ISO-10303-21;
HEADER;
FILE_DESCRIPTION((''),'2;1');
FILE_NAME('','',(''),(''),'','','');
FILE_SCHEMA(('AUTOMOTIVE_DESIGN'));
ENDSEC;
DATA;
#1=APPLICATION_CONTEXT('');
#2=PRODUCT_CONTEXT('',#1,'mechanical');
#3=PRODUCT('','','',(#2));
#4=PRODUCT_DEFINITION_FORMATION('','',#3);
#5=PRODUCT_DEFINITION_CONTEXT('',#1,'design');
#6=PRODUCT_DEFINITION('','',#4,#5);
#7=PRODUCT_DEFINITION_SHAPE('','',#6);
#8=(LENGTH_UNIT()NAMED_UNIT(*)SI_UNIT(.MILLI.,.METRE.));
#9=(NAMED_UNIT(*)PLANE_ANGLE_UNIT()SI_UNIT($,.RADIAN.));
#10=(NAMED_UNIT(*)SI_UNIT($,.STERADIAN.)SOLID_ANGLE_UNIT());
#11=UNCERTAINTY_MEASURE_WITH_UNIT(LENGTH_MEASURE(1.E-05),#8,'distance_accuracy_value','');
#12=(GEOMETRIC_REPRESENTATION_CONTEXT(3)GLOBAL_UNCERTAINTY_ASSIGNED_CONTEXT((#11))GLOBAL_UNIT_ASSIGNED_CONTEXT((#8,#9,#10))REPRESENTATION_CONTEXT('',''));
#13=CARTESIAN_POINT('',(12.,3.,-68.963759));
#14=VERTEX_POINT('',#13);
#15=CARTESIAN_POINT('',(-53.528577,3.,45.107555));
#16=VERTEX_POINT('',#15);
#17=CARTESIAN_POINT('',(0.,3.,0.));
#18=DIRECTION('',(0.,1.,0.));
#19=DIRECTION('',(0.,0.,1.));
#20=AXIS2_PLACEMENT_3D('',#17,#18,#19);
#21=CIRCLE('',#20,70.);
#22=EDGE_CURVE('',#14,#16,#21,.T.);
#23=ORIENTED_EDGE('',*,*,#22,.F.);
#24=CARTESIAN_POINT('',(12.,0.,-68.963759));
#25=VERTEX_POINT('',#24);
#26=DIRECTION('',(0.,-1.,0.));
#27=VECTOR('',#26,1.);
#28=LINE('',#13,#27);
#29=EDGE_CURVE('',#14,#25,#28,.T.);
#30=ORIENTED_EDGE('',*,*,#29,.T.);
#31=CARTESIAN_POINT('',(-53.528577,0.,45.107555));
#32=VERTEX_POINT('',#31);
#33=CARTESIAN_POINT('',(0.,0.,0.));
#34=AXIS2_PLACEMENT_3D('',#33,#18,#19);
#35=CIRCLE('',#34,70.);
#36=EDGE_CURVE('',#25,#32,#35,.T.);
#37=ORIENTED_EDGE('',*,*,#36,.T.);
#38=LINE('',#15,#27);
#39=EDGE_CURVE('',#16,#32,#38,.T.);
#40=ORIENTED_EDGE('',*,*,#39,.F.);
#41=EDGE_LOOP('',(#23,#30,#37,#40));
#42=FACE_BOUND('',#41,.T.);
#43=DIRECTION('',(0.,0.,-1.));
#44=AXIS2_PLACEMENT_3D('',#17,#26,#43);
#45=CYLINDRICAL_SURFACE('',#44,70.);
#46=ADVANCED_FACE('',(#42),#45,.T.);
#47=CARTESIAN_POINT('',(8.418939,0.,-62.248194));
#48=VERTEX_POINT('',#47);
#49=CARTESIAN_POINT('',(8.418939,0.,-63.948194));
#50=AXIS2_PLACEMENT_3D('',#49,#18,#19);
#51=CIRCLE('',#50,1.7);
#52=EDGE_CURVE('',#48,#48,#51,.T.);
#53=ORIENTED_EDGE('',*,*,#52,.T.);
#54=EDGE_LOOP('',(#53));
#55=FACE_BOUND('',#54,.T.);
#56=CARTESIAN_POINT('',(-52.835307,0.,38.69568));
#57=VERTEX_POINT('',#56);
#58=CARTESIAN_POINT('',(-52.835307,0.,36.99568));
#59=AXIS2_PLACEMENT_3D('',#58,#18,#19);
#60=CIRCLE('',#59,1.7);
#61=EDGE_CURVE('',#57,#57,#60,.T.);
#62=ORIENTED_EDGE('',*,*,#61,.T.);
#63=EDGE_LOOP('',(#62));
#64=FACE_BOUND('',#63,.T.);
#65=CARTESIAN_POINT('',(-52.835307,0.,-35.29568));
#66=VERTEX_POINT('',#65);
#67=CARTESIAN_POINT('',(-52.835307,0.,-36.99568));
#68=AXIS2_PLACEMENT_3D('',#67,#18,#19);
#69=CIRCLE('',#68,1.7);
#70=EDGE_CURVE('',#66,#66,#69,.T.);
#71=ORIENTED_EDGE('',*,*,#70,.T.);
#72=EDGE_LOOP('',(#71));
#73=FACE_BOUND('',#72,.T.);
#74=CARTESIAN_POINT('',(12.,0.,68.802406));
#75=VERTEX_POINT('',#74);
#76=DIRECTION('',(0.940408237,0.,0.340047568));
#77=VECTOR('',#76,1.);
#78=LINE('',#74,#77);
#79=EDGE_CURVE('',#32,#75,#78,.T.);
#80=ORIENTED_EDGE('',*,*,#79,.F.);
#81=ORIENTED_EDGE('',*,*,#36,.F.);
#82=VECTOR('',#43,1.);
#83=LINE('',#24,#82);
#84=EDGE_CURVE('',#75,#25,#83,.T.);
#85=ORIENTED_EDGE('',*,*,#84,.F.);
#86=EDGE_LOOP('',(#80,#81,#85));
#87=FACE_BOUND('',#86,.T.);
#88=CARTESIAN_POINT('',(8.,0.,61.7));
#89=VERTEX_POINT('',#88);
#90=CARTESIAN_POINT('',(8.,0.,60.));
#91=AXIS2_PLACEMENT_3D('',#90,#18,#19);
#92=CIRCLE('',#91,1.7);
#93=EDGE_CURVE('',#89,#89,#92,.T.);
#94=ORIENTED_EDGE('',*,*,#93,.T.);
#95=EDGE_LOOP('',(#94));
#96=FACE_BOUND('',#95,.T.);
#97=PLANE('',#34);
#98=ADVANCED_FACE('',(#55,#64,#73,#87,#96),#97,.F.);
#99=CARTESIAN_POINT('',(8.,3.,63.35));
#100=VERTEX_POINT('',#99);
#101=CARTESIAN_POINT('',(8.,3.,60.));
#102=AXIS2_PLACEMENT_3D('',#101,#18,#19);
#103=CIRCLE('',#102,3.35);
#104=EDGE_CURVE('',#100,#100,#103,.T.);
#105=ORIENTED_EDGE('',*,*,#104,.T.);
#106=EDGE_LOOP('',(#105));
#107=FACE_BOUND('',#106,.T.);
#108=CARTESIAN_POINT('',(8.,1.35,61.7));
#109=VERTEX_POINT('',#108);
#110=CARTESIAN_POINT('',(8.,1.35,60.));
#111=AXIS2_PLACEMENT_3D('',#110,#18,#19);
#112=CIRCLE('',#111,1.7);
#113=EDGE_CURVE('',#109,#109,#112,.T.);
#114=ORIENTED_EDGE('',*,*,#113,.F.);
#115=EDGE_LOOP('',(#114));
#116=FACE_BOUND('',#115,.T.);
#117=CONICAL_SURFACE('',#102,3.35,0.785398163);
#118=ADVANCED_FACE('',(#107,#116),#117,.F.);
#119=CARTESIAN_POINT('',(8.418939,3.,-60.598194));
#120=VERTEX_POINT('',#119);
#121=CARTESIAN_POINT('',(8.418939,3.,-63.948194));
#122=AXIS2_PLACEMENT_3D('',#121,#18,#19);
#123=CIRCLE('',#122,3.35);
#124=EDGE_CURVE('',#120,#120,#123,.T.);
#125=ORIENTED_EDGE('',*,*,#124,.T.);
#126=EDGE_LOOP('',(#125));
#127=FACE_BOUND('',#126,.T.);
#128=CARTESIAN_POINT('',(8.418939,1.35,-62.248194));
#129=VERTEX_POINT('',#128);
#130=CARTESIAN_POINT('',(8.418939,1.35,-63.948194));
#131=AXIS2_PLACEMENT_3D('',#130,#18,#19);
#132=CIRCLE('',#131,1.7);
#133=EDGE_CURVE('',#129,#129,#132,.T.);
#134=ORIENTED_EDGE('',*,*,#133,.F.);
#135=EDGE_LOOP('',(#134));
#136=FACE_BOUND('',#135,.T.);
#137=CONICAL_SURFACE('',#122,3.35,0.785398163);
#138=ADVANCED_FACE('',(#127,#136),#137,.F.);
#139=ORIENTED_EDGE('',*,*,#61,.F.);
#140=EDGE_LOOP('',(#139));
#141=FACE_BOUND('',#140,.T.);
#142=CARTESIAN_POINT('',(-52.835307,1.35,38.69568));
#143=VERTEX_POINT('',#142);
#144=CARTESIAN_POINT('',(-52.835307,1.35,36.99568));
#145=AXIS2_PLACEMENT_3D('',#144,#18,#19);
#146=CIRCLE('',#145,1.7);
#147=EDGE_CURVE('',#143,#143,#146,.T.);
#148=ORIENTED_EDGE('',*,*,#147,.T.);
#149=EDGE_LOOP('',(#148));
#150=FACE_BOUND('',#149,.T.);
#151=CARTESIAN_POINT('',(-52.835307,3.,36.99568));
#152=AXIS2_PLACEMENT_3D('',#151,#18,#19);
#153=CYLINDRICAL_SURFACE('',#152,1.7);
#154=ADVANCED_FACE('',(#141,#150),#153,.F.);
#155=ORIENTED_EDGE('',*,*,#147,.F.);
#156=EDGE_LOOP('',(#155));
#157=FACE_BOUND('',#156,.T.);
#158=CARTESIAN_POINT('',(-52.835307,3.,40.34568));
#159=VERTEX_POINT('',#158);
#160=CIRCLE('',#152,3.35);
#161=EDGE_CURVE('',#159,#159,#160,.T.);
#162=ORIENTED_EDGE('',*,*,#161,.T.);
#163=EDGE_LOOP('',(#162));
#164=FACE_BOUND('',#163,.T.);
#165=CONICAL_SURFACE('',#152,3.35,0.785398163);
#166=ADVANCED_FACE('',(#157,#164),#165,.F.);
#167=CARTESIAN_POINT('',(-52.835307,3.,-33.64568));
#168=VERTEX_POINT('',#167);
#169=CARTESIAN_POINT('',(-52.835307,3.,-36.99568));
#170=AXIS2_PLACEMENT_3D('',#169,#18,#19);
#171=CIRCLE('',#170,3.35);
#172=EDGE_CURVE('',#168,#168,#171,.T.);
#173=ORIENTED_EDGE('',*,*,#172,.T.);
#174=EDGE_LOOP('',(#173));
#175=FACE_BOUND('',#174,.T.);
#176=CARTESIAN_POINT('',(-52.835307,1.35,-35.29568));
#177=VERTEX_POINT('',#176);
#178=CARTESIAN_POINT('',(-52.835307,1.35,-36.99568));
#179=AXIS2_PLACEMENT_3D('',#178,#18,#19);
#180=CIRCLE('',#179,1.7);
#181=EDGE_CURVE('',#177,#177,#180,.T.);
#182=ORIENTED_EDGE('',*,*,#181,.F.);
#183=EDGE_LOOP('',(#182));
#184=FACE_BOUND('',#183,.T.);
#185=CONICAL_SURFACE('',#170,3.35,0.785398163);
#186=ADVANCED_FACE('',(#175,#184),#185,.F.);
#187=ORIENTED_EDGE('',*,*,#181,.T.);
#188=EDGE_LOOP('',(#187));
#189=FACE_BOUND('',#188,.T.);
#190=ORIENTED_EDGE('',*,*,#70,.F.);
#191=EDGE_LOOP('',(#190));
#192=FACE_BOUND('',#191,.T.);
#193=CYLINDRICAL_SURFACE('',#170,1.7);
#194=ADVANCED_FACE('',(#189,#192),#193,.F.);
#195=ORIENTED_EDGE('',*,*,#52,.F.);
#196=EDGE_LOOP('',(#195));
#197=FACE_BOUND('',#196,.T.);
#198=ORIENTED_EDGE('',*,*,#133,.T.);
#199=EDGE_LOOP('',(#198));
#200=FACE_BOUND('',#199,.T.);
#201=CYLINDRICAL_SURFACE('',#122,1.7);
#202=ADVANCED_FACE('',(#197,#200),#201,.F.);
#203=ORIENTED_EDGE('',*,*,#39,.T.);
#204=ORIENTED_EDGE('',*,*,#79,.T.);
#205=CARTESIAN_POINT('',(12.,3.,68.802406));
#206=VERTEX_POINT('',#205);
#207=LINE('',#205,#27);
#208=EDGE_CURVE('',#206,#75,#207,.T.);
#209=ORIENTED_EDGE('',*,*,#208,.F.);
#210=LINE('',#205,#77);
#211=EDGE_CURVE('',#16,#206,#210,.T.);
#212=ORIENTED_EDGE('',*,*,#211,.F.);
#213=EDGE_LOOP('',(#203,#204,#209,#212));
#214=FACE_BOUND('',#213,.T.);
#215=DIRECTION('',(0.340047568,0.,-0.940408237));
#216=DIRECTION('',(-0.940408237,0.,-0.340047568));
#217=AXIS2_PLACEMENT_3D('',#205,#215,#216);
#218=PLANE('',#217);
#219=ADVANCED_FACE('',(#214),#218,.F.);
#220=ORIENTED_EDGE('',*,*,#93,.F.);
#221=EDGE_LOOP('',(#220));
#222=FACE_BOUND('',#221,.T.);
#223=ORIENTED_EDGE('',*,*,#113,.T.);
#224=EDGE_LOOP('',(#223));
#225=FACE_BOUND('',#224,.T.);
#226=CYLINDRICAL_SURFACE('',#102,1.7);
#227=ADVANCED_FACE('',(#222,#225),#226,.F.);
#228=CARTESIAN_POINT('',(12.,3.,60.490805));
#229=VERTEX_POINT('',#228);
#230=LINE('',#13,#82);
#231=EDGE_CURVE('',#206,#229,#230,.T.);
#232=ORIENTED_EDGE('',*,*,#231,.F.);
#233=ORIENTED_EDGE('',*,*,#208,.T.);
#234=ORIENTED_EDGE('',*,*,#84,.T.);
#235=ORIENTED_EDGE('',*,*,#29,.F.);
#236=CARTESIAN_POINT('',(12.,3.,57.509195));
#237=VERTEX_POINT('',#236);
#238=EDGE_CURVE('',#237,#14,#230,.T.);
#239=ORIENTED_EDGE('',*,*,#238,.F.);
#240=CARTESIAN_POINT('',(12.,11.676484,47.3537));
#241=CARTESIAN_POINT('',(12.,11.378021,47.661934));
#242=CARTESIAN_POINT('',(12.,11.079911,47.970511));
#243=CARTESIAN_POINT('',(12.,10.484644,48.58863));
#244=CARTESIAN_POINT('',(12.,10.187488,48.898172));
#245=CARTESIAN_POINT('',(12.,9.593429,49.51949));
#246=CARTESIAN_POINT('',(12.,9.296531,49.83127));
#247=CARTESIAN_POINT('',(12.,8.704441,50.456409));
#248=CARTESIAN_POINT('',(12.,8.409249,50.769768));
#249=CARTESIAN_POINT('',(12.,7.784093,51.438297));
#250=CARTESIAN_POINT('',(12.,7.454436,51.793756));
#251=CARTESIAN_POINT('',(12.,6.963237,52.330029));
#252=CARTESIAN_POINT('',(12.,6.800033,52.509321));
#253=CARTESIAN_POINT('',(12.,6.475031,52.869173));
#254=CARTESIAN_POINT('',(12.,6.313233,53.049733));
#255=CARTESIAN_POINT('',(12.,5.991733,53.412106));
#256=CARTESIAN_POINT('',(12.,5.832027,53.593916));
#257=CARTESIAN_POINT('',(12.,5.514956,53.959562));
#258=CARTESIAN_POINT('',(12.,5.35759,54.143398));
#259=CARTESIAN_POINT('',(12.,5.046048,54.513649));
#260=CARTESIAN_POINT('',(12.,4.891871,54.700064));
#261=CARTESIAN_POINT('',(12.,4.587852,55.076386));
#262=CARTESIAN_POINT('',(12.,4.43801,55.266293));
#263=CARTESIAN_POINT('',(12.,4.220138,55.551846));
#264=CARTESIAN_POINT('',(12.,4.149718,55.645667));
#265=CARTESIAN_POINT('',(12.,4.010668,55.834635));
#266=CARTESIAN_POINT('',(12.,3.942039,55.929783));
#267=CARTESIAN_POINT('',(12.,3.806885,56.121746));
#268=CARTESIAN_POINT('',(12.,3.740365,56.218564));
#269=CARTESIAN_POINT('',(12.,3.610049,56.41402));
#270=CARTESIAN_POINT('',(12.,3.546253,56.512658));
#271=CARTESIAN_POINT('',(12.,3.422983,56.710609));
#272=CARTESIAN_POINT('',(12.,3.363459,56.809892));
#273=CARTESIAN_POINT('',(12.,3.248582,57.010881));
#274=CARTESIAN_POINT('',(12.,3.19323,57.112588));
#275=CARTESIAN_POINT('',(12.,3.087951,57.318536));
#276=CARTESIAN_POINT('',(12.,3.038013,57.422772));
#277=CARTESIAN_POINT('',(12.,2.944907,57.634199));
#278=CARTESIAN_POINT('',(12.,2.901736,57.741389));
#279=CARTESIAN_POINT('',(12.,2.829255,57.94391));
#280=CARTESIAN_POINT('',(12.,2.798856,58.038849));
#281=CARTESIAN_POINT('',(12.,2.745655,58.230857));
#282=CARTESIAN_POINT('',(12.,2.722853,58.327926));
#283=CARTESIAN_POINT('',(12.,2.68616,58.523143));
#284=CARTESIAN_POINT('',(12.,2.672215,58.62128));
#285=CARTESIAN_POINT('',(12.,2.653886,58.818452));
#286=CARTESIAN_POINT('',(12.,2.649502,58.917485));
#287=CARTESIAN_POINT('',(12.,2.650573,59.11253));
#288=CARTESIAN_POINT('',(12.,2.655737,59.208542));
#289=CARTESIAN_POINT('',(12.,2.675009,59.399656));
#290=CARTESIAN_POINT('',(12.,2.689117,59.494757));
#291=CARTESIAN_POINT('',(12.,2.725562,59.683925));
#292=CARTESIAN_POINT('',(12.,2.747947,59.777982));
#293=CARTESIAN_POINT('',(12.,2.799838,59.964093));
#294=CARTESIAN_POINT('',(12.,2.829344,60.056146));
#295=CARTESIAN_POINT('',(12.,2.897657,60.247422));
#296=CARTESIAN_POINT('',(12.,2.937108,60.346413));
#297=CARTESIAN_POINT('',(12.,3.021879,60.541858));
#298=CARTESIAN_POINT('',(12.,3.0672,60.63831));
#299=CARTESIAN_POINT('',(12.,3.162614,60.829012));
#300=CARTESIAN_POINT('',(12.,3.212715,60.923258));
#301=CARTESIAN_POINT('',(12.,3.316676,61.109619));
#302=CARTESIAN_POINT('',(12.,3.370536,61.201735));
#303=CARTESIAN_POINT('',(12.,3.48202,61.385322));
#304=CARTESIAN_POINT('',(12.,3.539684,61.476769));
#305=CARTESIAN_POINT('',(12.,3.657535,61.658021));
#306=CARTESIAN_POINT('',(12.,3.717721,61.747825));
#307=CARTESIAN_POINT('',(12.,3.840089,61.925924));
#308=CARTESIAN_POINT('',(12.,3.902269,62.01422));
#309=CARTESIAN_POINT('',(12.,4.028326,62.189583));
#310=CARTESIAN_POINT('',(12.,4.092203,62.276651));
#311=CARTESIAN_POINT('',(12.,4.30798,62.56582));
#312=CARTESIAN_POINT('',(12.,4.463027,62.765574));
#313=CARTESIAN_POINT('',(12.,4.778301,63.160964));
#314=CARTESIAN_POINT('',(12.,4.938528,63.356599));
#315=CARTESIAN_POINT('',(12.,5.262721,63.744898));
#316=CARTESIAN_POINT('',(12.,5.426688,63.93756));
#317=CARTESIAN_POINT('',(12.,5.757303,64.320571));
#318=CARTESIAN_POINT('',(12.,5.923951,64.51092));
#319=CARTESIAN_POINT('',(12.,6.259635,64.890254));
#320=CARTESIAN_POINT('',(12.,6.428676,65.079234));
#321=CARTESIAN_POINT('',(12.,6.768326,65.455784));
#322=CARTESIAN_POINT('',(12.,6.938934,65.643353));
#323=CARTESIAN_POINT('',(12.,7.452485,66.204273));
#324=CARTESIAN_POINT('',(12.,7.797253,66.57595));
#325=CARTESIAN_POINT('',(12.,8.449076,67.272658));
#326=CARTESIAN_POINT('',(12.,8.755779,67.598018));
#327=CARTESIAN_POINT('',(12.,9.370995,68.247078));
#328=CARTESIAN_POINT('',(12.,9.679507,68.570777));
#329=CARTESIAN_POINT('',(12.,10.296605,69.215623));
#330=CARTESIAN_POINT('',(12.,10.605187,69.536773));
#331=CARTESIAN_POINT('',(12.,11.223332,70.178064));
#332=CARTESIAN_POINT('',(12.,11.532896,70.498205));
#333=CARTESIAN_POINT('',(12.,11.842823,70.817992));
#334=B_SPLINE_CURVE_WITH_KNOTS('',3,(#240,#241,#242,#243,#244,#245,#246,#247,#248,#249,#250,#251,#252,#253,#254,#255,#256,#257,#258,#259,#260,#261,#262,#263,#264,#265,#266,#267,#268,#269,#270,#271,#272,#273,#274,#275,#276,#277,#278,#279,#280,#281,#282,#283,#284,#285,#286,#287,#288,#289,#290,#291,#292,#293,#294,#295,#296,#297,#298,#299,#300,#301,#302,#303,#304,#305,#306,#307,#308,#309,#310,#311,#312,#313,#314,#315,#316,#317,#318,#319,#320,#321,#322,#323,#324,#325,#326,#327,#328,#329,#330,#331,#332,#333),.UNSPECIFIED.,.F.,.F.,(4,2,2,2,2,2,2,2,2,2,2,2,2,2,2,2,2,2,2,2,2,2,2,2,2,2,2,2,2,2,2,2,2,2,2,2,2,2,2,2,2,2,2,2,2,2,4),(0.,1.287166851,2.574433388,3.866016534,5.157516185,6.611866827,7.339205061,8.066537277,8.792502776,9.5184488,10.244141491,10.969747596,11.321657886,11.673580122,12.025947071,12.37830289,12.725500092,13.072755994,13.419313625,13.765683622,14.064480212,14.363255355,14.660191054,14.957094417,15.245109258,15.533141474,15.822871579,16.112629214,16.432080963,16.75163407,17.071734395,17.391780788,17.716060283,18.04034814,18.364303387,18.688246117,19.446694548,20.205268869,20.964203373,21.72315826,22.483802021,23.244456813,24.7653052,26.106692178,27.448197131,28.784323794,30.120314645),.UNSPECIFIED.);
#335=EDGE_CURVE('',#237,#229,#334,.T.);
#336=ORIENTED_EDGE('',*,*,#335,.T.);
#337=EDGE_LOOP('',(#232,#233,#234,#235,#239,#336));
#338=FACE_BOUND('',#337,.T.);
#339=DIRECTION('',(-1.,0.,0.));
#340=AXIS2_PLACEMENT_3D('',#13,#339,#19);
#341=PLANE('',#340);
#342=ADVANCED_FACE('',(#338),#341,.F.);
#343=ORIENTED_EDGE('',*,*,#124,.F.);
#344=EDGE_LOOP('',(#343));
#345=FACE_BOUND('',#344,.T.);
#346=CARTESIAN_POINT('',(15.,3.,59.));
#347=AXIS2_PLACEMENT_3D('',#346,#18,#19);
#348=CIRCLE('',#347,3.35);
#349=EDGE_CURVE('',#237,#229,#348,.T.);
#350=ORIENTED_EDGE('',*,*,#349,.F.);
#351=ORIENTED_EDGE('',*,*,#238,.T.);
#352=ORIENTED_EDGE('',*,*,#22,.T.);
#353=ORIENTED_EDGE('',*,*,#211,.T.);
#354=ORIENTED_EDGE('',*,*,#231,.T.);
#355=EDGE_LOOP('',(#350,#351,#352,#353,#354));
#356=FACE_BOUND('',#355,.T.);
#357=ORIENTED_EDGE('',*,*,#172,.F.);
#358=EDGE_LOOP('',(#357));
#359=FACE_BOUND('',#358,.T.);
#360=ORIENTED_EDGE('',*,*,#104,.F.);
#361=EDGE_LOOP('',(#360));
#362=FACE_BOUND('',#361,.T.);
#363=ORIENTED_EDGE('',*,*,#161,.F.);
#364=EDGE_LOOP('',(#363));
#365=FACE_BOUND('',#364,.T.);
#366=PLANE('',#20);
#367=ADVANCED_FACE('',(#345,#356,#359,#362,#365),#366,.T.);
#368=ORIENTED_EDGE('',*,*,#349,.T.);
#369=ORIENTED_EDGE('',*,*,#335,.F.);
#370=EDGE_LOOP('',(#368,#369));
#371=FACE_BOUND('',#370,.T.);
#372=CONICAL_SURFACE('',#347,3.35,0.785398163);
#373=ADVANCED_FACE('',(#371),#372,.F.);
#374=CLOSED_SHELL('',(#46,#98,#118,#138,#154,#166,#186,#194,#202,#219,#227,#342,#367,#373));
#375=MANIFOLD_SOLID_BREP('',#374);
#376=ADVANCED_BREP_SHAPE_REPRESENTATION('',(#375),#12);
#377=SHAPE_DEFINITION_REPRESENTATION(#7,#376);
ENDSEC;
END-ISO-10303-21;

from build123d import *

# Parameters (mm, degrees)
BOSS_EXTRUDE1_DEPTH                            = 3
CSK_FOR_M3_FLAT_HEAD_MACHINE_SCREW1_AT_2_COUNT = 2
CSK_FOR_M3_FLAT_HEAD_MACHINE_SCREW1_AT_2_PITCH = 71.314927951
CSK_FOR_M3_FLAT_HEAD_MACHINE_SCREW1_AT_3_COUNT = 2
CSK_FOR_M3_FLAT_HEAD_MACHINE_SCREW1_AT_3_PITCH = 7.071067812
CSK_FOR_M3_FLAT_HEAD_MACHINE_SCREW1_AT_4_COUNT = 2
CSK_FOR_M3_FLAT_HEAD_MACHINE_SCREW1_AT_4_PITCH = 123.124200131
CSK_FOR_M3_FLAT_HEAD_MACHINE_SCREW1_AT_5_COUNT = 2
CSK_FOR_M3_FLAT_HEAD_MACHINE_SCREW1_AT_5_PITCH = 117.544882759


with BuildPart() as part:
    # Sketch1 → Boss-Extrude1 (new body)
    with BuildSketch(Plane(origin=(0, 0, 0), x_dir=(1, 0, 0), z_dir=(0, 1, 0))):
        with BuildLine():
            Line((12, 68.963758598), (12, -68.802405773))
            Line((12, -68.802405773), (-53.528576558, -45.107554707))
            ThreePointArc((-53.528576558, -45.107554707), (-60.697790714, 34.868011163), (12, 68.963758598))
        make_face()
    extrude(amount=BOSS_EXTRUDE1_DEPTH)

    # Sketch4 → CSK for M3 Flat Head Machine Screw1 (revolve, cut)
    with BuildSketch(Plane(origin=(15, 3, 59), x_dir=(0, 0, 1), z_dir=(1, 0, 0))):
        Polygon((0, 0), (0, 3), (1.7, 3), (1.7, 1.65), (3.35, 0), align=None)
    csk_for_m3_flat_head_machine_screw1 = revolve(axis=Axis((15, 9.35, 59), (0, -1, 0)), mode=Mode.SUBTRACT)

    # CSK for M3 Flat Head Machine Screw1 at 2: CSK for M3 Flat Head Machine Screw1 ×2
    with Locations(*[Vector(-0.9512076756694684, 0, -0.30855138591081943) * (i * CSK_FOR_M3_FLAT_HEAD_MACHINE_SCREW1_AT_2_PITCH) for i in range(1, CSK_FOR_M3_FLAT_HEAD_MACHINE_SCREW1_AT_2_COUNT)]):
        add(csk_for_m3_flat_head_machine_screw1, mode=Mode.SUBTRACT)

    # CSK for M3 Flat Head Machine Screw1 at 3: CSK for M3 Flat Head Machine Screw1 ×2
    with Locations(*[Vector(-0.9899494936611665, 0, 0.14142135623730978) * (i * CSK_FOR_M3_FLAT_HEAD_MACHINE_SCREW1_AT_3_PITCH) for i in range(1, CSK_FOR_M3_FLAT_HEAD_MACHINE_SCREW1_AT_3_COUNT)]):
        add(csk_for_m3_flat_head_machine_screw1, mode=Mode.SUBTRACT)

    # CSK for M3 Flat Head Machine Screw1 at 4: CSK for M3 Flat Head Machine Screw1 ×2
    with Locations(*[Vector(-0.053450585626457235, 0, -0.9985704957068323) * (i * CSK_FOR_M3_FLAT_HEAD_MACHINE_SCREW1_AT_4_PITCH) for i in range(1, CSK_FOR_M3_FLAT_HEAD_MACHINE_SCREW1_AT_4_COUNT)]):
        add(csk_for_m3_flat_head_machine_screw1, mode=Mode.SUBTRACT)

    # CSK for M3 Flat Head Machine Screw1 at 5: CSK for M3 Flat Head Machine Screw1 ×2
    with Locations(*[Vector(-0.5771013187861944, 0, -0.8166725585295709) * (i * CSK_FOR_M3_FLAT_HEAD_MACHINE_SCREW1_AT_5_PITCH) for i in range(1, CSK_FOR_M3_FLAT_HEAD_MACHINE_SCREW1_AT_5_COUNT)]):
        add(csk_for_m3_flat_head_machine_screw1, mode=Mode.SUBTRACT)


solid = part.part
